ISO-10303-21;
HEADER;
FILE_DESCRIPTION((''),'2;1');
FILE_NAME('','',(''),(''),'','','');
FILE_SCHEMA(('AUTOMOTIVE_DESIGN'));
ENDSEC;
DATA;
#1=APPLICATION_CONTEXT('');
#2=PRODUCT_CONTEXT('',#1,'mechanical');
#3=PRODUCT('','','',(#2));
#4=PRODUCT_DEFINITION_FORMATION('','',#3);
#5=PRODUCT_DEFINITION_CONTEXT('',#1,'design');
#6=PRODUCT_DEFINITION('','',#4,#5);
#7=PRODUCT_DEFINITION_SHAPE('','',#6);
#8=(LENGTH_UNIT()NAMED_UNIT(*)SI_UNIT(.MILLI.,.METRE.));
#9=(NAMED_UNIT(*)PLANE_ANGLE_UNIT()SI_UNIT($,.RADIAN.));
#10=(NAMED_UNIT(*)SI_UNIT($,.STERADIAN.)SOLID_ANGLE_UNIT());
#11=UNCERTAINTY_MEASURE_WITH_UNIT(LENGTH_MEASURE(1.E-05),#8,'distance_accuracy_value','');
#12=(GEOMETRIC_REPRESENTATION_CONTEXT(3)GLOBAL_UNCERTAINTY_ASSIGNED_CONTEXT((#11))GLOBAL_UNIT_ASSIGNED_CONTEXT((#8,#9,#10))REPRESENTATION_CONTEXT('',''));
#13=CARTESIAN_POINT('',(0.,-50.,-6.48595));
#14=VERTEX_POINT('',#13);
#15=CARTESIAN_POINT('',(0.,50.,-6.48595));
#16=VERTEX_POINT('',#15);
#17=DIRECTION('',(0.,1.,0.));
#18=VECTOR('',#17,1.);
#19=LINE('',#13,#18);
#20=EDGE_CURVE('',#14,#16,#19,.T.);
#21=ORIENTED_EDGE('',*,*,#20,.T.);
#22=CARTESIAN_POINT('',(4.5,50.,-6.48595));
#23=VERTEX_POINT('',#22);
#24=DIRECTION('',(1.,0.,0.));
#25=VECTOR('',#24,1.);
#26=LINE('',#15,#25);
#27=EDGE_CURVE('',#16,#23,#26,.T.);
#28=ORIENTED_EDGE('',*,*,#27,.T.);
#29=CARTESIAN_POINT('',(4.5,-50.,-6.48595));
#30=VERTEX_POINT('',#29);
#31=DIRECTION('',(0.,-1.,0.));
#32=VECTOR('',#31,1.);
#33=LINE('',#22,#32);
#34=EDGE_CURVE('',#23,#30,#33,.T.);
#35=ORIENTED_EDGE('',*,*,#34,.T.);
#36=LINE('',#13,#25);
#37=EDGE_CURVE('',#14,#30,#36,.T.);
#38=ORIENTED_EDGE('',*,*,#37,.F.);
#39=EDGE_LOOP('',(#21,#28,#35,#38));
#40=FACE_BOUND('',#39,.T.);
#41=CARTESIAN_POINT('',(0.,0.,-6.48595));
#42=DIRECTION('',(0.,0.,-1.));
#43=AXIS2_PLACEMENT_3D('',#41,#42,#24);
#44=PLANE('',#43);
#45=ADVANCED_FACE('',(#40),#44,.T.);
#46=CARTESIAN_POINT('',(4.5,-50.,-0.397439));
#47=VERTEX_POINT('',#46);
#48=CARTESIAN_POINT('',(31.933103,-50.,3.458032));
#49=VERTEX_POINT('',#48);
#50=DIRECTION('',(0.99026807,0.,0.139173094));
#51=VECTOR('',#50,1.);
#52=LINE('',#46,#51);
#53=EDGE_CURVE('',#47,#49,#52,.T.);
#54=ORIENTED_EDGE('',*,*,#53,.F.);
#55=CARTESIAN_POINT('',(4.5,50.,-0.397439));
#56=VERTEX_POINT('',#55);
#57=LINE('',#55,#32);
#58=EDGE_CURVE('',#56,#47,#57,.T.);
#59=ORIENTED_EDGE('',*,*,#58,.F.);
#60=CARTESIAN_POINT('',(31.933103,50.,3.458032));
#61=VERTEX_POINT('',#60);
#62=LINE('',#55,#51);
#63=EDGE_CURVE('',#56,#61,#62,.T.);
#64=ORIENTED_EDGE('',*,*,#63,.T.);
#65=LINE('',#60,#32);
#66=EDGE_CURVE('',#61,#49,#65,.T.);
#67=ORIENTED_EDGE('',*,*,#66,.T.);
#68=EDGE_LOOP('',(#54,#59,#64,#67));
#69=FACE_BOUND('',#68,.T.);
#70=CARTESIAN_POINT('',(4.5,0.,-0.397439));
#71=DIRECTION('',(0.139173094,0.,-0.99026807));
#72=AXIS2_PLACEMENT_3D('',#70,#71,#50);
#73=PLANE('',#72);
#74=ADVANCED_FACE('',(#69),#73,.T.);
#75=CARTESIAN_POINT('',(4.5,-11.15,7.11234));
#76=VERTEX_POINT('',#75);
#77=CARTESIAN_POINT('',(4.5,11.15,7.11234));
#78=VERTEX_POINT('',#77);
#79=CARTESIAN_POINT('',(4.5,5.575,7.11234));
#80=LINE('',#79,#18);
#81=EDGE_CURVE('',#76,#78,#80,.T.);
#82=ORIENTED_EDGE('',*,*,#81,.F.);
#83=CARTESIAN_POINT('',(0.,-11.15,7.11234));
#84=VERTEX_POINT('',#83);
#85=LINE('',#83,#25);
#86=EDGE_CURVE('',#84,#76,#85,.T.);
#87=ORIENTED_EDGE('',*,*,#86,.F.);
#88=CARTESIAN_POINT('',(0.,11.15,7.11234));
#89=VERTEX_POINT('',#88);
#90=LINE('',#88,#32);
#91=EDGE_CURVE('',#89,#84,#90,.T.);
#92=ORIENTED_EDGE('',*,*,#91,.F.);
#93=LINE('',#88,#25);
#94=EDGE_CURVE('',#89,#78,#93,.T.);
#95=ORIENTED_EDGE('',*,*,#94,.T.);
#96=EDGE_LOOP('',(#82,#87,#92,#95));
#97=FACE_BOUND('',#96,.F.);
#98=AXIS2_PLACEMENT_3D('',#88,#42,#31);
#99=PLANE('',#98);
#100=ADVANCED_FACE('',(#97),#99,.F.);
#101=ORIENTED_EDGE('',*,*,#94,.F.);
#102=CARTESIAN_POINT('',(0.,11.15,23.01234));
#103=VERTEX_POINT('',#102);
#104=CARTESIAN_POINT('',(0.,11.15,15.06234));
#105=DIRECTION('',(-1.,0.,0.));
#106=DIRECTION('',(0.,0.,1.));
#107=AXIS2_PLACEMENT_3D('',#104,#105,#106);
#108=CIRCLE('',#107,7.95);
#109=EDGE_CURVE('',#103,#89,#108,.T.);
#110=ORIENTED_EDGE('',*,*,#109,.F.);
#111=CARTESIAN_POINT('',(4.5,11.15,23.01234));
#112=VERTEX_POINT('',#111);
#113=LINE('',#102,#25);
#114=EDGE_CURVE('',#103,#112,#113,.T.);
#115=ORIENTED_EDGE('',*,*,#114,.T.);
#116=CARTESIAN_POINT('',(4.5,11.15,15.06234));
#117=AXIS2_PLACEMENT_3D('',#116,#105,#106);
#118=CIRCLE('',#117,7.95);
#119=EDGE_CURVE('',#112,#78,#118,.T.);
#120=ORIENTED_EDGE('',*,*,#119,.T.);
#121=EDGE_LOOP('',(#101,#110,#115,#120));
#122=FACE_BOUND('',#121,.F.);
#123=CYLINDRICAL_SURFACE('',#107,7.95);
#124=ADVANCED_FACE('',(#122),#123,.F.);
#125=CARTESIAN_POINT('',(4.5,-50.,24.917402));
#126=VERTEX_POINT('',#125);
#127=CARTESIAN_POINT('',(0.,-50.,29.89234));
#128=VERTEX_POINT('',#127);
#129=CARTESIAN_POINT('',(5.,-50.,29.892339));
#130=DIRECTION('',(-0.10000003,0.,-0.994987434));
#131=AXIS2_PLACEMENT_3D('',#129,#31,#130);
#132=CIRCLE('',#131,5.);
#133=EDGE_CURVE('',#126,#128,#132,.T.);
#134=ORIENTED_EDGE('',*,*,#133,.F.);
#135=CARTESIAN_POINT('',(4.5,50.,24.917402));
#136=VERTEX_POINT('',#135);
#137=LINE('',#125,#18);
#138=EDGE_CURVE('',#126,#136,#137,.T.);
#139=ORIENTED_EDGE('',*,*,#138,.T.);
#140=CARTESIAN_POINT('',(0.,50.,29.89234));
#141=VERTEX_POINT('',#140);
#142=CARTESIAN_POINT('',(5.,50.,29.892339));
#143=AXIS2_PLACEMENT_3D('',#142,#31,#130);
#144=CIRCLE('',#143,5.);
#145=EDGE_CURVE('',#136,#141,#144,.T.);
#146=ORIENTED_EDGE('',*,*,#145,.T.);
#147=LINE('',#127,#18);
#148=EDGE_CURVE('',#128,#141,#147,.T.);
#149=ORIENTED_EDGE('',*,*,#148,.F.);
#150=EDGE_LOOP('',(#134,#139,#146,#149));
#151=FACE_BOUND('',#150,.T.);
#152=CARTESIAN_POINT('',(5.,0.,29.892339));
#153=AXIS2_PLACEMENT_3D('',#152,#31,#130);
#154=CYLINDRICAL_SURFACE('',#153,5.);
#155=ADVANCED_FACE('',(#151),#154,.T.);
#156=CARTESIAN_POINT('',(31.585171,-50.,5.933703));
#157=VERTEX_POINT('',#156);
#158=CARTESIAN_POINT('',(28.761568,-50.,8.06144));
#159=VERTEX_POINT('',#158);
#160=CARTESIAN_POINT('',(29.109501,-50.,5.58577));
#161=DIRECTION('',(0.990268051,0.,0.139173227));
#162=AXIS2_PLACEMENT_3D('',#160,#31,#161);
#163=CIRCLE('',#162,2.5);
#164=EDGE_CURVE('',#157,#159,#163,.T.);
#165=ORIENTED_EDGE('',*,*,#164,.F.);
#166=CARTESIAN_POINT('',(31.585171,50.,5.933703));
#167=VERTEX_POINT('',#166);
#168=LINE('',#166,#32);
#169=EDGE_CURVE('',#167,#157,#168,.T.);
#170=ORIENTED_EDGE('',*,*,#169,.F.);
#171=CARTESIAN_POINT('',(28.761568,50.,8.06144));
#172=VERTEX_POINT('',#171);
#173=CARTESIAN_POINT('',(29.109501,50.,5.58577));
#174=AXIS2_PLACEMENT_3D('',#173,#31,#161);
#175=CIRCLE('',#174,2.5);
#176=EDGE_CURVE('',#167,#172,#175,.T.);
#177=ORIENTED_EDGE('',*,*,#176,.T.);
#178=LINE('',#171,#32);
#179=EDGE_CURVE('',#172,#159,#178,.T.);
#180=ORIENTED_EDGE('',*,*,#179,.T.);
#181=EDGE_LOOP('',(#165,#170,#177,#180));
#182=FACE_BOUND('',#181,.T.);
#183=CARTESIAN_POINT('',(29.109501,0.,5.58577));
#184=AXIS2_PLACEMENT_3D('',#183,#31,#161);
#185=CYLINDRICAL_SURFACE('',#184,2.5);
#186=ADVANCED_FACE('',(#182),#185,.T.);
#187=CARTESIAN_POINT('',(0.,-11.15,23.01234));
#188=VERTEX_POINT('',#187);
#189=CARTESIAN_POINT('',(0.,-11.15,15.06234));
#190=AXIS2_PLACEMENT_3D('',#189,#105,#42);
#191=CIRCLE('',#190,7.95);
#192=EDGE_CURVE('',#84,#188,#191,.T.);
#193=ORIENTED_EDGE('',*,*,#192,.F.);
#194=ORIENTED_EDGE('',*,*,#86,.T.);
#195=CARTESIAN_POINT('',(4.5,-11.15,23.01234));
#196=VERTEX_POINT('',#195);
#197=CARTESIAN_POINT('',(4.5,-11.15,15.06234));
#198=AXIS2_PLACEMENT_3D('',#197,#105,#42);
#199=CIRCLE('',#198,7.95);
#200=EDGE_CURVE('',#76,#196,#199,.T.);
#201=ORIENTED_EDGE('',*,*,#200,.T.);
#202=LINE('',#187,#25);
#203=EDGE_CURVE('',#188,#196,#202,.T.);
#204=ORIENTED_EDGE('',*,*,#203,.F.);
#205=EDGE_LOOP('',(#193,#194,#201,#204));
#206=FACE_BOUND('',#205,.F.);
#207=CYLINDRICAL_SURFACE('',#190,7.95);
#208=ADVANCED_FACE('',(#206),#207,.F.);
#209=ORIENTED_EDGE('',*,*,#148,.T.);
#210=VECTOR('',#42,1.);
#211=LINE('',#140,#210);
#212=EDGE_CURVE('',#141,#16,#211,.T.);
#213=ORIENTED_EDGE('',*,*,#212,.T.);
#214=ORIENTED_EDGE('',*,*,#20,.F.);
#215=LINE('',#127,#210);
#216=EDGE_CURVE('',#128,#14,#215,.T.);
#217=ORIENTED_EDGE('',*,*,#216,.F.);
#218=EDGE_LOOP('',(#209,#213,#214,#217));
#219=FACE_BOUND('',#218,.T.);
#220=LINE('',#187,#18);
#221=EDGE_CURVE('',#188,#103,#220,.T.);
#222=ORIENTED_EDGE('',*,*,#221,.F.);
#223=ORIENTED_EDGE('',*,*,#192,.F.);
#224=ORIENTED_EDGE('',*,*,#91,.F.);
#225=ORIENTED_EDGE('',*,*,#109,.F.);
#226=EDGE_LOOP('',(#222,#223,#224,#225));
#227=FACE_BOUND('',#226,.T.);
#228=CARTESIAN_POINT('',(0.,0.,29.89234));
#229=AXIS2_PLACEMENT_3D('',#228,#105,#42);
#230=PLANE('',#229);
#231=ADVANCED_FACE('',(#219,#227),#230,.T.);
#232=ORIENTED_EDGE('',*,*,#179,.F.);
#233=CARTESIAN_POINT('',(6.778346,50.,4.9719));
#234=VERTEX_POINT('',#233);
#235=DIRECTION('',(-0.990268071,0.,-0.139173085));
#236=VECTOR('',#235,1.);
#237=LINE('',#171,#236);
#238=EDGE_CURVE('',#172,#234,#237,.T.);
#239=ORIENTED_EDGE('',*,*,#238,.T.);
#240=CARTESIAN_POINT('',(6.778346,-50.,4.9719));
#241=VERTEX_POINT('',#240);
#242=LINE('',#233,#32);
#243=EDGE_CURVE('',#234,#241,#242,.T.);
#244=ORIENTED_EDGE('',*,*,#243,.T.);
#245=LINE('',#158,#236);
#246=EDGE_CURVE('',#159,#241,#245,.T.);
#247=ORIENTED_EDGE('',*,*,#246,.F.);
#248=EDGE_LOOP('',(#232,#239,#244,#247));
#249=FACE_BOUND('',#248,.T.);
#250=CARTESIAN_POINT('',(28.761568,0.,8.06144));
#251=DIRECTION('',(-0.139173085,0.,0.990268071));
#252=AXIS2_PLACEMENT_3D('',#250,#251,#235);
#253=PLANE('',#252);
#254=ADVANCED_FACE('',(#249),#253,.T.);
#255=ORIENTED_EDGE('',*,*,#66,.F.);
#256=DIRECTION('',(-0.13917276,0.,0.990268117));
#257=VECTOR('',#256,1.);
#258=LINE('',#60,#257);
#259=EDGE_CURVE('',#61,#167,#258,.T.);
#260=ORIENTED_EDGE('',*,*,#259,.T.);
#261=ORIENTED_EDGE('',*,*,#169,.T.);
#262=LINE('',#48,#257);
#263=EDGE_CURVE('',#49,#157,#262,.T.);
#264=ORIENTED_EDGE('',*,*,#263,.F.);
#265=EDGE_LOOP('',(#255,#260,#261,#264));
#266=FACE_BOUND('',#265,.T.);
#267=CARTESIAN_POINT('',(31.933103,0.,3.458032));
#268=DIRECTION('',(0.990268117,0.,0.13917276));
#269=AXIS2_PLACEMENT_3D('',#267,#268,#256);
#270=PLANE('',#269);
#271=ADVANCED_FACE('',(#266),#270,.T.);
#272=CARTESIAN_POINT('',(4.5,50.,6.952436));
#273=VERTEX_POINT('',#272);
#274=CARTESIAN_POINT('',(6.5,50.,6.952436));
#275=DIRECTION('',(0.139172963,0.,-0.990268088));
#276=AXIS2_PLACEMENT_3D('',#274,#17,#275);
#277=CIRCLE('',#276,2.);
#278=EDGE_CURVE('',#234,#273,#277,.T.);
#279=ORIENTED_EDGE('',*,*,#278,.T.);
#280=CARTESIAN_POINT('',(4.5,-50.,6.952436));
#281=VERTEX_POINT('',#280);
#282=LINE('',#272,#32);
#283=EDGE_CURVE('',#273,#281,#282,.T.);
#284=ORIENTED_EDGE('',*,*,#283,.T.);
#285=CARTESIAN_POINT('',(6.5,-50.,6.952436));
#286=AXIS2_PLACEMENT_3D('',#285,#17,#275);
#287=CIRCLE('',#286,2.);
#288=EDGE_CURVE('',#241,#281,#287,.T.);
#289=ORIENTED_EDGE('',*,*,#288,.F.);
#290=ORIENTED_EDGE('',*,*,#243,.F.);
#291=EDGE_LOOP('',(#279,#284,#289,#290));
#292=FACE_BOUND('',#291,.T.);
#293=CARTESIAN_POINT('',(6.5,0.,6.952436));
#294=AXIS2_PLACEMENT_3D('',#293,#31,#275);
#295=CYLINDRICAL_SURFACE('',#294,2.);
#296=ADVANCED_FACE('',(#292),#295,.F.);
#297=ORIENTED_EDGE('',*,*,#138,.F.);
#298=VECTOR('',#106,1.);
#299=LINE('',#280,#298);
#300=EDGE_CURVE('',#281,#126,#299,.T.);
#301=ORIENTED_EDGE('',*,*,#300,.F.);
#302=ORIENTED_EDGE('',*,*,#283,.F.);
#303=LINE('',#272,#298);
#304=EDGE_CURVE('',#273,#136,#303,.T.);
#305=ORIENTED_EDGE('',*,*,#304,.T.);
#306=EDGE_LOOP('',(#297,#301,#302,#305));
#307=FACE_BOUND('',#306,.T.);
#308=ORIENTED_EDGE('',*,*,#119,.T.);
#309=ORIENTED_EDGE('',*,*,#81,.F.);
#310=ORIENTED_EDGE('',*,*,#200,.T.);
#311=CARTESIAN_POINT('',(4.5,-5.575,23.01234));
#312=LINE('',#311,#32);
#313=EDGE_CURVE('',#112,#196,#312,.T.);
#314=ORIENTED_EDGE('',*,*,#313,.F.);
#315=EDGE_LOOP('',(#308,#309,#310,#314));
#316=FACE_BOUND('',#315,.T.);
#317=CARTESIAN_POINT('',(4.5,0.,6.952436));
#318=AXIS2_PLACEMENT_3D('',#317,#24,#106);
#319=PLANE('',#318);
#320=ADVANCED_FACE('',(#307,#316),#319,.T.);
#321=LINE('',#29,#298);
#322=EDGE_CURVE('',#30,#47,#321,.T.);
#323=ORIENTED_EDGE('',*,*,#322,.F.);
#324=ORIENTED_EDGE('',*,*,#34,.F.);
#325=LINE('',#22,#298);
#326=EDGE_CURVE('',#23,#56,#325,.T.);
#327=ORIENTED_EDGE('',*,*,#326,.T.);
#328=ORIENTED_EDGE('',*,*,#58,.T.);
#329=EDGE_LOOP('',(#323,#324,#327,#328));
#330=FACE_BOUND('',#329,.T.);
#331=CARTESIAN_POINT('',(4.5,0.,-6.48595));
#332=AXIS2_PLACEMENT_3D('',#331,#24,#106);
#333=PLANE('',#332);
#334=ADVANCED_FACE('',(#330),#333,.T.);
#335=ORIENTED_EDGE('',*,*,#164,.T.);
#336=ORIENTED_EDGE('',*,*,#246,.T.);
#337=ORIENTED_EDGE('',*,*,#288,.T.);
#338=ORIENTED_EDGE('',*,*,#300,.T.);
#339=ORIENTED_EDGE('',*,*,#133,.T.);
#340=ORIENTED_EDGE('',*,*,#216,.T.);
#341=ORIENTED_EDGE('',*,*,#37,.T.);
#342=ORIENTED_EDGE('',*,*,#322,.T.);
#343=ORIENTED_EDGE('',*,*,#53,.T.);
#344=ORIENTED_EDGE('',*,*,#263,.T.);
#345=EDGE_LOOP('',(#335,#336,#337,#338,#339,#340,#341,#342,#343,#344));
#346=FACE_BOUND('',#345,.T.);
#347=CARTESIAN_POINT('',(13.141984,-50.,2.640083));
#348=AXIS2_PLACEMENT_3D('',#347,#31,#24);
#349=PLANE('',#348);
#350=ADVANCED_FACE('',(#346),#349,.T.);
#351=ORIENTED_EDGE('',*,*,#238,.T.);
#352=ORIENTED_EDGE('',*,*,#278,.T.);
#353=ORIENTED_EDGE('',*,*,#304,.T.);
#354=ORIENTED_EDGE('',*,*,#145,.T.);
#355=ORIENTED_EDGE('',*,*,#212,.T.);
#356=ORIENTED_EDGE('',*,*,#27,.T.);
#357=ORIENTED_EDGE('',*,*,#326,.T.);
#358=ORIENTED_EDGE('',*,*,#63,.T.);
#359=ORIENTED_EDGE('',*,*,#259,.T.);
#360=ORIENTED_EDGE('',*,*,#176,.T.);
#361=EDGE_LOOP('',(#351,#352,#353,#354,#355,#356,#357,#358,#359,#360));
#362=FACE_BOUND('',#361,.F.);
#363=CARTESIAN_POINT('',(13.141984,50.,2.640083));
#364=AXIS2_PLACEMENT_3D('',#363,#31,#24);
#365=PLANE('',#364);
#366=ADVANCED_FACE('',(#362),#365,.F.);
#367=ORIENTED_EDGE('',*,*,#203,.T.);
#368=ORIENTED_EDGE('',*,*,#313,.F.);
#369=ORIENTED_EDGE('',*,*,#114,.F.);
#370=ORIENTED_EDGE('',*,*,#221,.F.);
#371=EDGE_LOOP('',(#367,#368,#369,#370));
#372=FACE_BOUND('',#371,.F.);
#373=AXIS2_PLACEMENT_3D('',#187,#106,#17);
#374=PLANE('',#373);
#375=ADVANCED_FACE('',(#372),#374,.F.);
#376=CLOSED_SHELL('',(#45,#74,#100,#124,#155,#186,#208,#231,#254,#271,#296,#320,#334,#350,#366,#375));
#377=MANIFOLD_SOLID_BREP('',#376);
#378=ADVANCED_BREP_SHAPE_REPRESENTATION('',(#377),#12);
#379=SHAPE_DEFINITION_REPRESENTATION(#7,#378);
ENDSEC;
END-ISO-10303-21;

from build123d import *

# Parameters (mm, degrees)
F1_DEPTH = 50
F3_DEPTH = 5


with BuildPart() as f1:
    # F0 (on Front) → F1 (new body, symmetric)
    with BuildSketch(Plane.XZ):
        with BuildLine():
            Line((4.5, 7.11405), (0, 7.11405))
            Line((0, 7.11405), (0, -6.48595))
            Line((0, -6.48595), (4.5, -6.48595))
            Line((4.5, -6.48595), (4.5, -0.397439))
            Line((4.5, -0.397439), (31.933103, 3.458032))
            Line((31.933103, 3.458032), (31.585171, 5.933703))
            ThreePointArc((31.585171, 5.933703), (30.614038, 7.582359), (28.761568, 8.06144))
            Line((28.761568, 8.06144), (6.778346, 4.9719))
            ThreePointArc((6.778346, 4.9719), (5.187882, 5.443017), (4.5, 6.952436))
            Line((4.5, 6.952436), (4.5, 7.11405))
        make_face()
        Polygon((4.5, 23.01405), (0, 23.01405), (0, 7.11405), (4.5, 7.11405), (4.5, 11.635025), align=None)
        with BuildLine():
            ThreePointArc((4.5, 24.917402), (8.708099, 33.246442), (0, 29.89234))
            Line((0, 29.89234), (0, 23.01405))
            Line((0, 23.01405), (4.5, 23.01405))
            Line((4.5, 23.01405), (4.5, 24.917402))
        make_face()
    extrude(amount=F1_DEPTH, both=True)

    # F2 (on face) → F3 (cut)
    with BuildSketch(Plane(origin=(0, 0, 0), x_dir=(0, -1, 0), z_dir=(-1, 0, 0))):
        with BuildLine():
            Line((-11.15, 7.11234), (11.15, 7.11234))
            ThreePointArc((11.15, 7.11234), (19.1, 15.06234), (11.15, 23.01234))
            Line((11.15, 23.01234), (-11.15, 23.01234))
            ThreePointArc((-11.15, 23.01234), (-19.1, 15.06234), (-11.15, 7.11234))
        make_face()
    extrude(amount=-F3_DEPTH, mode=Mode.SUBTRACT)


solid = f1.part
